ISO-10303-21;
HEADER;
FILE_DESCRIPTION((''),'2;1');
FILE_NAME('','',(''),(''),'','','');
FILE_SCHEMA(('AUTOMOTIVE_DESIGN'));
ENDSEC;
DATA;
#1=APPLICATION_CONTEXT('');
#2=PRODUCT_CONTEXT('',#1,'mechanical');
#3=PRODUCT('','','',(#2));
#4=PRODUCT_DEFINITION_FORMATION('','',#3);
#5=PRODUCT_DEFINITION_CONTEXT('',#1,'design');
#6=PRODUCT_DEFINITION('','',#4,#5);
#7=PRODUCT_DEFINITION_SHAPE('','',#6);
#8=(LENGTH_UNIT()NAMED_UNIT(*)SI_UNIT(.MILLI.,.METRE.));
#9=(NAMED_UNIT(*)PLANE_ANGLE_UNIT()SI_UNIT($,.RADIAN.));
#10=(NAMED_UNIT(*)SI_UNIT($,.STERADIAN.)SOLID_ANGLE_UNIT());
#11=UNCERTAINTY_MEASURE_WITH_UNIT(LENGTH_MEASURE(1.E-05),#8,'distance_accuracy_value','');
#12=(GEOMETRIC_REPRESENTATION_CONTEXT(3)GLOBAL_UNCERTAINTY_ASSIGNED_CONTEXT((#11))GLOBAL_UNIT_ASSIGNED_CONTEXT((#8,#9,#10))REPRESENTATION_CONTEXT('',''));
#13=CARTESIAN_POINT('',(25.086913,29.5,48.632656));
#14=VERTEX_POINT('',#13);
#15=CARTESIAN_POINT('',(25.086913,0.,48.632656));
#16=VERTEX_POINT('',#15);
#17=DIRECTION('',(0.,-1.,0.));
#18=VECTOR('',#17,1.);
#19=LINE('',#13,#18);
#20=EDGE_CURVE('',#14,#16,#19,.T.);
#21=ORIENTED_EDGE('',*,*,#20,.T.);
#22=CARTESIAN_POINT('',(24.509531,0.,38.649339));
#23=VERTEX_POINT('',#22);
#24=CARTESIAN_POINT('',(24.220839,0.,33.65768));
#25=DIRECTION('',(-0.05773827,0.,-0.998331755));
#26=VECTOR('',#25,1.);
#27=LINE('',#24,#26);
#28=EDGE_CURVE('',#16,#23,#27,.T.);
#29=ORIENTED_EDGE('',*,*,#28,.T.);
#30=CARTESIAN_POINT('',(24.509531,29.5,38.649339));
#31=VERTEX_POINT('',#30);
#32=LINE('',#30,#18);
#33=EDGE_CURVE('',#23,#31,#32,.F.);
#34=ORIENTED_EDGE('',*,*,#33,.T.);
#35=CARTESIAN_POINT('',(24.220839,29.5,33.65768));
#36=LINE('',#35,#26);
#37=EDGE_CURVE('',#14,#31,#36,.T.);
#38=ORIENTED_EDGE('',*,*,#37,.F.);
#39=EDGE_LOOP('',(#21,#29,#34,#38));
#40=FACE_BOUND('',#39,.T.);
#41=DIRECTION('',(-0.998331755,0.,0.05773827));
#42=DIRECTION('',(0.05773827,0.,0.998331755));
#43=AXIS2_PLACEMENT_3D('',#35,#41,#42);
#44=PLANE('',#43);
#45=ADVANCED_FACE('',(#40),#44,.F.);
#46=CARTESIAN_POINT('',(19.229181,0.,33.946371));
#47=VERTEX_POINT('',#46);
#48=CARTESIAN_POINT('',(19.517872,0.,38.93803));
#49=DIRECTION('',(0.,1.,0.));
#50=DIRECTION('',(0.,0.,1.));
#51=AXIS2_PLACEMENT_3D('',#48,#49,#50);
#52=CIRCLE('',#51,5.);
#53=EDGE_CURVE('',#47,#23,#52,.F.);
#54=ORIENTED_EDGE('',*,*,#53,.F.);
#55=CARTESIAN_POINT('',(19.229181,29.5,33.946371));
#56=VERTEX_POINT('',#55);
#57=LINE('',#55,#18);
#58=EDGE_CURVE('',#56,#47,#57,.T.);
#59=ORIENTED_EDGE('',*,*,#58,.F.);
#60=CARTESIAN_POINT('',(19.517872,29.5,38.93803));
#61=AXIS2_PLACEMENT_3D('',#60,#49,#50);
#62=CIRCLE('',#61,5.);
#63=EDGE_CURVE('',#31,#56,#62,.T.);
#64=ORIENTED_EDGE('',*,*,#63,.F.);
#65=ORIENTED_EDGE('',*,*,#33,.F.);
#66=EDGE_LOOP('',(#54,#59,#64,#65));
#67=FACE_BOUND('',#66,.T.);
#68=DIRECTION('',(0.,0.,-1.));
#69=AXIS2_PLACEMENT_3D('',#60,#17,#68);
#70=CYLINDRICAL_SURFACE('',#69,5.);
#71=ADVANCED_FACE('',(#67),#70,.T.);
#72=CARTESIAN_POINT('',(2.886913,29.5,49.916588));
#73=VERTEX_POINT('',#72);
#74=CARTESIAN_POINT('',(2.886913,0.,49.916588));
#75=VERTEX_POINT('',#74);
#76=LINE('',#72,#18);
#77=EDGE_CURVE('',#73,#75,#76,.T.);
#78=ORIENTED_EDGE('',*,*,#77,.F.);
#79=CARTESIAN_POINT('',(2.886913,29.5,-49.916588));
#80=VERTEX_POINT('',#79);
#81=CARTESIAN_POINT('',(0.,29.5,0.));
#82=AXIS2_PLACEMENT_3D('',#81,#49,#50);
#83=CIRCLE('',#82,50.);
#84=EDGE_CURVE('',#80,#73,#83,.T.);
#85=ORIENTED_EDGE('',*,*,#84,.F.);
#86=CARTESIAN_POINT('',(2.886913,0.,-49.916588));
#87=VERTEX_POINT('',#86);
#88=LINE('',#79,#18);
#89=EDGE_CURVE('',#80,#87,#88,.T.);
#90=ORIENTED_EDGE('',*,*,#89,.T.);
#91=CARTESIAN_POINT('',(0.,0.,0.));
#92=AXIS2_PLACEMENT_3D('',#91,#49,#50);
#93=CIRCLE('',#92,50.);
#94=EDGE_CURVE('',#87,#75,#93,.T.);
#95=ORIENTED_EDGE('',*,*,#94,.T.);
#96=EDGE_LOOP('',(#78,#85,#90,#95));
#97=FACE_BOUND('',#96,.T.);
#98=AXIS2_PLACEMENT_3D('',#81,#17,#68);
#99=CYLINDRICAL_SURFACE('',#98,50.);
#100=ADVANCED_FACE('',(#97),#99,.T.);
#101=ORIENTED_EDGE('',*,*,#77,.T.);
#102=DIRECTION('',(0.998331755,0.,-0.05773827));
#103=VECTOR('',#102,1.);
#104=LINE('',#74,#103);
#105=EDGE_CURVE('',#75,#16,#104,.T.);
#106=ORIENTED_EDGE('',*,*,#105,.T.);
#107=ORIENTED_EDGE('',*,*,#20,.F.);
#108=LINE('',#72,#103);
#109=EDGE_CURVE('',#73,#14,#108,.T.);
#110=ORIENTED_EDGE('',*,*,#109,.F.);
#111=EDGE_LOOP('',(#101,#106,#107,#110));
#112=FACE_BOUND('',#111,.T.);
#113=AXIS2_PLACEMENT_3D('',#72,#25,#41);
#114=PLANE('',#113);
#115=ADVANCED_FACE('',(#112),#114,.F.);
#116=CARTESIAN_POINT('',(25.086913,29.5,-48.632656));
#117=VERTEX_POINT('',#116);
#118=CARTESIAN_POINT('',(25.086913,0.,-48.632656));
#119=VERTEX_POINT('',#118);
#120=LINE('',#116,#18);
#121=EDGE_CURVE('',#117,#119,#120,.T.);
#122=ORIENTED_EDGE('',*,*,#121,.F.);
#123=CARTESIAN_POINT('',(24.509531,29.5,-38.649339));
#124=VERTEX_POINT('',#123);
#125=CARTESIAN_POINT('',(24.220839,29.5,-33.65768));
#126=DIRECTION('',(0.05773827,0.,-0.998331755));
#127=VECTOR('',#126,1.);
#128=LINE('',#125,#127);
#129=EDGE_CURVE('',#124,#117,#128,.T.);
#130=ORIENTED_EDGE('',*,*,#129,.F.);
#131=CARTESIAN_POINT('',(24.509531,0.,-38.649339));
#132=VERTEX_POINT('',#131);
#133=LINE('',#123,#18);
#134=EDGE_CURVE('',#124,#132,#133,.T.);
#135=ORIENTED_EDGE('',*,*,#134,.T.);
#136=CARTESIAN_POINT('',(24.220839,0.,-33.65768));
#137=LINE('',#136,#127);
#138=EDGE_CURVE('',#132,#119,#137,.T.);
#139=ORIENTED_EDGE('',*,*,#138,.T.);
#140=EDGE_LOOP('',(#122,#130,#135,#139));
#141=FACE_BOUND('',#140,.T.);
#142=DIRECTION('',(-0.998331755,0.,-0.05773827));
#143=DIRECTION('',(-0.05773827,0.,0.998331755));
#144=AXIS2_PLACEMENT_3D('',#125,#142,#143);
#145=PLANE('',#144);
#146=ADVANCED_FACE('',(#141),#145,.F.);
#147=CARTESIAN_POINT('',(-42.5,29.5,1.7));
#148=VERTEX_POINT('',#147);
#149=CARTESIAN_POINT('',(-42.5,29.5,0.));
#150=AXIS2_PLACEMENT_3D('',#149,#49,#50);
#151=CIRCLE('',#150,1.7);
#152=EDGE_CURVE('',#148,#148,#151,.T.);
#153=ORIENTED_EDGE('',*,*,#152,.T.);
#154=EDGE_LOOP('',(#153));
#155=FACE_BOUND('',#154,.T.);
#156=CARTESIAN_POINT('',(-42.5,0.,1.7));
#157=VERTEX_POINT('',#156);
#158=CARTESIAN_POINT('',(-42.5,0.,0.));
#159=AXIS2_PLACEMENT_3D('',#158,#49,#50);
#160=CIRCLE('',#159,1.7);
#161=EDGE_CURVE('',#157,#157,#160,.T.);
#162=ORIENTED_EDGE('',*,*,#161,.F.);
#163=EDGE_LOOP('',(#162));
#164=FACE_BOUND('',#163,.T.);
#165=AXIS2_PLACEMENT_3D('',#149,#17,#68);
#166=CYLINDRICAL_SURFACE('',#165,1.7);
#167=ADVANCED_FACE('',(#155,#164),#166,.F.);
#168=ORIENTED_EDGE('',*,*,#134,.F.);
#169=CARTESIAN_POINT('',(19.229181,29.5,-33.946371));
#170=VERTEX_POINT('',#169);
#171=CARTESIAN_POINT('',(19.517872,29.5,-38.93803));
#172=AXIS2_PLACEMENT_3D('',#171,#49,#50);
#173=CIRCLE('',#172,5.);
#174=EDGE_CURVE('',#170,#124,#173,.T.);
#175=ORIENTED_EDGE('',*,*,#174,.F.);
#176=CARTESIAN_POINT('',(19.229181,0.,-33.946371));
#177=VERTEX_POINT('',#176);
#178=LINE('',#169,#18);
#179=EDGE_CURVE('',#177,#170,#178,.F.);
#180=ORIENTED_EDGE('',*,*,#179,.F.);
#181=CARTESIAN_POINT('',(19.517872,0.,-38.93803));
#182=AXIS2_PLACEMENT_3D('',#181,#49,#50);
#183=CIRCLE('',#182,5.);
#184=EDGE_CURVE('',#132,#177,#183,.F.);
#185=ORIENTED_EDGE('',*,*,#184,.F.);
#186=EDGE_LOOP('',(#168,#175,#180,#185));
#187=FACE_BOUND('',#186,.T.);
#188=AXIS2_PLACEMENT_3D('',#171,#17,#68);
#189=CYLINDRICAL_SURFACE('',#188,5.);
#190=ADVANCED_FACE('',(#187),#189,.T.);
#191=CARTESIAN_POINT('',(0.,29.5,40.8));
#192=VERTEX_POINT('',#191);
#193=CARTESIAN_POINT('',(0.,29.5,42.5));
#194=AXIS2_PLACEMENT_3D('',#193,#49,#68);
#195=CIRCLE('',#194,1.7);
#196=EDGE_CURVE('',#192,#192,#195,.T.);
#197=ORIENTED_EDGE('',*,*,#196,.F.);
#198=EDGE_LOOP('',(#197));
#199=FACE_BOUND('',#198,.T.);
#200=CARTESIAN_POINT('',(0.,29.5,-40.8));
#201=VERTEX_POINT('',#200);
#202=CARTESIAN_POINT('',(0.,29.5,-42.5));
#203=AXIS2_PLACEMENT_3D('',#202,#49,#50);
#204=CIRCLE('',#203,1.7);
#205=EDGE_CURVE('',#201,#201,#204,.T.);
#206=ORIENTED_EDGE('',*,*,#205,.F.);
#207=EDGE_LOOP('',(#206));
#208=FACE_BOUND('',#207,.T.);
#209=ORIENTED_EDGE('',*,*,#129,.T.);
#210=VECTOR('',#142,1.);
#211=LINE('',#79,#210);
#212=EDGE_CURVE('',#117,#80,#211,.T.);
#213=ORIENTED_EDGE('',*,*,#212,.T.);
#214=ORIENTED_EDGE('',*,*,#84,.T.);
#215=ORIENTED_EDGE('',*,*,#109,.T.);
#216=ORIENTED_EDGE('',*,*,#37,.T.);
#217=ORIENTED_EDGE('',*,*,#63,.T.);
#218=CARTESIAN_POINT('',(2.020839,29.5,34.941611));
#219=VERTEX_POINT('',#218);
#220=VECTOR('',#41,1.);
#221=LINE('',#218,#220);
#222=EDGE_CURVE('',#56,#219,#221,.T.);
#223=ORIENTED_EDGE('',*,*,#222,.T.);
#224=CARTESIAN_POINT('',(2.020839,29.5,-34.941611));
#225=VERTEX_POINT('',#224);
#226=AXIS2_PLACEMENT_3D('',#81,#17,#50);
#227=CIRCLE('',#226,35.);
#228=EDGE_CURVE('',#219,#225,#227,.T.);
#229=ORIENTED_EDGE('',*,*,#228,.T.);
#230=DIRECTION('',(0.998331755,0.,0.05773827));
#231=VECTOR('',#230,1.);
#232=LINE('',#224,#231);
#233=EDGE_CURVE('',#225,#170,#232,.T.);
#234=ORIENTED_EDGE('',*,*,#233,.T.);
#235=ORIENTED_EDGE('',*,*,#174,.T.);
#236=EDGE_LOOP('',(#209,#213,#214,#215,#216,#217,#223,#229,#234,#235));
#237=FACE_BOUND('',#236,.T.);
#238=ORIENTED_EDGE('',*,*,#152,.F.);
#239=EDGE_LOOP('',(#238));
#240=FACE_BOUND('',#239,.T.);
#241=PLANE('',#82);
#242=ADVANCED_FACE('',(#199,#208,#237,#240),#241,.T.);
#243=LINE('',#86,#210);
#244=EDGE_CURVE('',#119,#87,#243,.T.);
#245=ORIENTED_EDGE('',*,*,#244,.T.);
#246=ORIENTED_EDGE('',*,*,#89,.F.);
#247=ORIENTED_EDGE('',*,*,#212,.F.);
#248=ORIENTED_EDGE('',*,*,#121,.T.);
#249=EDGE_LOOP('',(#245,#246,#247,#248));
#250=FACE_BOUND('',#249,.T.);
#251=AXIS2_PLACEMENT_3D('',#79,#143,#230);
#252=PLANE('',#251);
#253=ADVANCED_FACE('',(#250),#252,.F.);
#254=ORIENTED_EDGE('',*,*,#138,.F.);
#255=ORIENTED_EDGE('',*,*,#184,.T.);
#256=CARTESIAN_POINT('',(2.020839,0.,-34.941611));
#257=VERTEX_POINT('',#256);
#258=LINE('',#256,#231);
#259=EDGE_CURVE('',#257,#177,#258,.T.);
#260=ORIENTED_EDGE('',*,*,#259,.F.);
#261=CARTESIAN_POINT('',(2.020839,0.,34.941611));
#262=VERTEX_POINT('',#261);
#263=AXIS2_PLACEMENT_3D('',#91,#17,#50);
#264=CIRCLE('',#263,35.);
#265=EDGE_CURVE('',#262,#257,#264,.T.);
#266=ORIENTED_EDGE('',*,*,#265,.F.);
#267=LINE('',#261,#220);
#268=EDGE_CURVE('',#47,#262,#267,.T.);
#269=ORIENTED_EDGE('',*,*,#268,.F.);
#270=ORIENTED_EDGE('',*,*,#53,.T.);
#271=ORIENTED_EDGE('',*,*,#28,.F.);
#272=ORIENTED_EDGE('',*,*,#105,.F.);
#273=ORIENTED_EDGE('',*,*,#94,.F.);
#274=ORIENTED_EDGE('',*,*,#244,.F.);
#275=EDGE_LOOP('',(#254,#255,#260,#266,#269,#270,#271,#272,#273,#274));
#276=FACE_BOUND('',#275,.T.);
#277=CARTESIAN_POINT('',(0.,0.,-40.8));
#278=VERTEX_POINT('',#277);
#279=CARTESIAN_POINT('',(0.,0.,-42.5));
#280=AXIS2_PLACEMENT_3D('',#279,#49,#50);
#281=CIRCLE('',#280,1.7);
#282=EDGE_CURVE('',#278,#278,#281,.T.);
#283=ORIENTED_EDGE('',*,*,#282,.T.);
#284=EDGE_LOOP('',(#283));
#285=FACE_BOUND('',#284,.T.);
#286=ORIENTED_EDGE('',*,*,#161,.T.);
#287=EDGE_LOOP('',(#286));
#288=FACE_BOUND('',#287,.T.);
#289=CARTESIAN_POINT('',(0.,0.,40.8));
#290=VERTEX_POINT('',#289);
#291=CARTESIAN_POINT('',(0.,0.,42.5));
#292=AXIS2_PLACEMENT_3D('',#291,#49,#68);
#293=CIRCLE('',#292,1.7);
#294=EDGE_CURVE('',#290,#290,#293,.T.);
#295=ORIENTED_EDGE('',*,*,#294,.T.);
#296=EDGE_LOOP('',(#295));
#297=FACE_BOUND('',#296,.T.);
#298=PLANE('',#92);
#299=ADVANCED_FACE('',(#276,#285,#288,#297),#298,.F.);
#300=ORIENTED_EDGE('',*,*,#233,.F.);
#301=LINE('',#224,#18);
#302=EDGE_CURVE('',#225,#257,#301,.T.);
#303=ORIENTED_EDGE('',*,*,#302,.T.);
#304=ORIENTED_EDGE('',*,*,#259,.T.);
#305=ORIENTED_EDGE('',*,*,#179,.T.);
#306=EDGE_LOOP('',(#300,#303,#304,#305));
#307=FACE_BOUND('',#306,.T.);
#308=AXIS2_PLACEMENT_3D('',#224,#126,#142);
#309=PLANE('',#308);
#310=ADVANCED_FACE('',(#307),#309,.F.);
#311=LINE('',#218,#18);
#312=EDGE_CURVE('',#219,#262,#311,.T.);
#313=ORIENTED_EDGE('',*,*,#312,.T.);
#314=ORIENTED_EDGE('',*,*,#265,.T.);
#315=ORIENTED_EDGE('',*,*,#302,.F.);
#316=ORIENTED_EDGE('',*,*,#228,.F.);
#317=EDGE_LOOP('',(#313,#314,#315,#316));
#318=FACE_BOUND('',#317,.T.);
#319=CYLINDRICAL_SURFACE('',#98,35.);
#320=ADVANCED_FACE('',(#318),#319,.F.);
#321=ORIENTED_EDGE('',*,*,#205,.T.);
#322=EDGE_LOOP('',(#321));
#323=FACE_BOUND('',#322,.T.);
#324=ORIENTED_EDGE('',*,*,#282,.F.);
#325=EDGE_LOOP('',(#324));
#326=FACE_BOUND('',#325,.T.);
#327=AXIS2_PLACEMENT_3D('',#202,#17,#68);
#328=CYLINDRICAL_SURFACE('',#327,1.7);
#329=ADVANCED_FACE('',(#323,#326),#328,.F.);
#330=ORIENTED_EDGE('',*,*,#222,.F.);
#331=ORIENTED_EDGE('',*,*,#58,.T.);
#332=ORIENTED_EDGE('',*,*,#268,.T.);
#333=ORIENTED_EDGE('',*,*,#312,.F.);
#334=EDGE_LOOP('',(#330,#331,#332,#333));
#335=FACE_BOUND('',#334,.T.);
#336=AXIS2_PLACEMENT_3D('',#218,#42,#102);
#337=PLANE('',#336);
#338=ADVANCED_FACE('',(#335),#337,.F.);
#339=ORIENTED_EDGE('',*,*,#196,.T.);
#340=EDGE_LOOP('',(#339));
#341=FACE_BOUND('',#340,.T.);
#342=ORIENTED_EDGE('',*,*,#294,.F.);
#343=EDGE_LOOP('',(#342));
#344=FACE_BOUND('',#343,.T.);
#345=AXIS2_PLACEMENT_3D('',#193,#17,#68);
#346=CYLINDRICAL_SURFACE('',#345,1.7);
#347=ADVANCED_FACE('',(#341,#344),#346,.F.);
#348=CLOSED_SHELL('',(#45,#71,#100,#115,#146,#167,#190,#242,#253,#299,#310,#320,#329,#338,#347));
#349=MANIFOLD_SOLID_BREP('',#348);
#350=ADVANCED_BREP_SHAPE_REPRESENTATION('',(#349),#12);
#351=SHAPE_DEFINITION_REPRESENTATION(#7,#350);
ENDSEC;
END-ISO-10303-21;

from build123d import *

# Parameters (mm, degrees)
SKETCH2_R           = 1.7
BOSS_EXTRUDE1_DEPTH = 29.5
FILLET2_R           = 5


with BuildPart() as part:
    # Sketch2 → Boss-Extrude1 (new body)
    with BuildSketch(Plane(origin=(0, 0, 0), x_dir=(1, 0, 0), z_dir=(0, 1, 0))):
        with BuildLine():
            Line((2.88691348, 49.91658773), (25.08691348, 48.632656232))
            Line((25.08691348, 48.632656232), (24.220839436, 33.657679913))
            Line((24.220839436, 33.657679913), (2.020839436, 34.941611411))
            ThreePointArc((2.020839436, 34.941611411), (-35, 0), (2.020839436, -34.941611411))
            Line((2.020839436, -34.941611411), (24.220839436, -33.657679913))
            Line((24.220839436, -33.657679913), (25.08691348, -48.632656232))
            Line((25.08691348, -48.632656232), (2.88691348, -49.91658773))
            ThreePointArc((2.88691348, -49.91658773), (-50, 0), (2.88691348, 49.91658773))
        make_face()
        with Locations(Location((-42.5, 0, 0), (0, 0, 270))):
            Circle(SKETCH2_R, mode=Mode.SUBTRACT)
        with Locations(Location((0, 42.5, 0), (0, 0, 270))):
            Circle(SKETCH2_R, mode=Mode.SUBTRACT)
        with Locations(Location((0, -42.5, 0), (0, 0, 90))):
            Circle(SKETCH2_R, mode=Mode.SUBTRACT)
    extrude(amount=BOSS_EXTRUDE1_DEPTH)

    # Fillet2
    fillet2_edges = [part.edges().sort_by_distance(p)[0] for p in [
        (24.220839436, 14.75, -33.657679913),
        (24.220839436, 14.75, 33.657679913),
    ]]
    fillet(fillet2_edges, radius=FILLET2_R)


solid = part.part
